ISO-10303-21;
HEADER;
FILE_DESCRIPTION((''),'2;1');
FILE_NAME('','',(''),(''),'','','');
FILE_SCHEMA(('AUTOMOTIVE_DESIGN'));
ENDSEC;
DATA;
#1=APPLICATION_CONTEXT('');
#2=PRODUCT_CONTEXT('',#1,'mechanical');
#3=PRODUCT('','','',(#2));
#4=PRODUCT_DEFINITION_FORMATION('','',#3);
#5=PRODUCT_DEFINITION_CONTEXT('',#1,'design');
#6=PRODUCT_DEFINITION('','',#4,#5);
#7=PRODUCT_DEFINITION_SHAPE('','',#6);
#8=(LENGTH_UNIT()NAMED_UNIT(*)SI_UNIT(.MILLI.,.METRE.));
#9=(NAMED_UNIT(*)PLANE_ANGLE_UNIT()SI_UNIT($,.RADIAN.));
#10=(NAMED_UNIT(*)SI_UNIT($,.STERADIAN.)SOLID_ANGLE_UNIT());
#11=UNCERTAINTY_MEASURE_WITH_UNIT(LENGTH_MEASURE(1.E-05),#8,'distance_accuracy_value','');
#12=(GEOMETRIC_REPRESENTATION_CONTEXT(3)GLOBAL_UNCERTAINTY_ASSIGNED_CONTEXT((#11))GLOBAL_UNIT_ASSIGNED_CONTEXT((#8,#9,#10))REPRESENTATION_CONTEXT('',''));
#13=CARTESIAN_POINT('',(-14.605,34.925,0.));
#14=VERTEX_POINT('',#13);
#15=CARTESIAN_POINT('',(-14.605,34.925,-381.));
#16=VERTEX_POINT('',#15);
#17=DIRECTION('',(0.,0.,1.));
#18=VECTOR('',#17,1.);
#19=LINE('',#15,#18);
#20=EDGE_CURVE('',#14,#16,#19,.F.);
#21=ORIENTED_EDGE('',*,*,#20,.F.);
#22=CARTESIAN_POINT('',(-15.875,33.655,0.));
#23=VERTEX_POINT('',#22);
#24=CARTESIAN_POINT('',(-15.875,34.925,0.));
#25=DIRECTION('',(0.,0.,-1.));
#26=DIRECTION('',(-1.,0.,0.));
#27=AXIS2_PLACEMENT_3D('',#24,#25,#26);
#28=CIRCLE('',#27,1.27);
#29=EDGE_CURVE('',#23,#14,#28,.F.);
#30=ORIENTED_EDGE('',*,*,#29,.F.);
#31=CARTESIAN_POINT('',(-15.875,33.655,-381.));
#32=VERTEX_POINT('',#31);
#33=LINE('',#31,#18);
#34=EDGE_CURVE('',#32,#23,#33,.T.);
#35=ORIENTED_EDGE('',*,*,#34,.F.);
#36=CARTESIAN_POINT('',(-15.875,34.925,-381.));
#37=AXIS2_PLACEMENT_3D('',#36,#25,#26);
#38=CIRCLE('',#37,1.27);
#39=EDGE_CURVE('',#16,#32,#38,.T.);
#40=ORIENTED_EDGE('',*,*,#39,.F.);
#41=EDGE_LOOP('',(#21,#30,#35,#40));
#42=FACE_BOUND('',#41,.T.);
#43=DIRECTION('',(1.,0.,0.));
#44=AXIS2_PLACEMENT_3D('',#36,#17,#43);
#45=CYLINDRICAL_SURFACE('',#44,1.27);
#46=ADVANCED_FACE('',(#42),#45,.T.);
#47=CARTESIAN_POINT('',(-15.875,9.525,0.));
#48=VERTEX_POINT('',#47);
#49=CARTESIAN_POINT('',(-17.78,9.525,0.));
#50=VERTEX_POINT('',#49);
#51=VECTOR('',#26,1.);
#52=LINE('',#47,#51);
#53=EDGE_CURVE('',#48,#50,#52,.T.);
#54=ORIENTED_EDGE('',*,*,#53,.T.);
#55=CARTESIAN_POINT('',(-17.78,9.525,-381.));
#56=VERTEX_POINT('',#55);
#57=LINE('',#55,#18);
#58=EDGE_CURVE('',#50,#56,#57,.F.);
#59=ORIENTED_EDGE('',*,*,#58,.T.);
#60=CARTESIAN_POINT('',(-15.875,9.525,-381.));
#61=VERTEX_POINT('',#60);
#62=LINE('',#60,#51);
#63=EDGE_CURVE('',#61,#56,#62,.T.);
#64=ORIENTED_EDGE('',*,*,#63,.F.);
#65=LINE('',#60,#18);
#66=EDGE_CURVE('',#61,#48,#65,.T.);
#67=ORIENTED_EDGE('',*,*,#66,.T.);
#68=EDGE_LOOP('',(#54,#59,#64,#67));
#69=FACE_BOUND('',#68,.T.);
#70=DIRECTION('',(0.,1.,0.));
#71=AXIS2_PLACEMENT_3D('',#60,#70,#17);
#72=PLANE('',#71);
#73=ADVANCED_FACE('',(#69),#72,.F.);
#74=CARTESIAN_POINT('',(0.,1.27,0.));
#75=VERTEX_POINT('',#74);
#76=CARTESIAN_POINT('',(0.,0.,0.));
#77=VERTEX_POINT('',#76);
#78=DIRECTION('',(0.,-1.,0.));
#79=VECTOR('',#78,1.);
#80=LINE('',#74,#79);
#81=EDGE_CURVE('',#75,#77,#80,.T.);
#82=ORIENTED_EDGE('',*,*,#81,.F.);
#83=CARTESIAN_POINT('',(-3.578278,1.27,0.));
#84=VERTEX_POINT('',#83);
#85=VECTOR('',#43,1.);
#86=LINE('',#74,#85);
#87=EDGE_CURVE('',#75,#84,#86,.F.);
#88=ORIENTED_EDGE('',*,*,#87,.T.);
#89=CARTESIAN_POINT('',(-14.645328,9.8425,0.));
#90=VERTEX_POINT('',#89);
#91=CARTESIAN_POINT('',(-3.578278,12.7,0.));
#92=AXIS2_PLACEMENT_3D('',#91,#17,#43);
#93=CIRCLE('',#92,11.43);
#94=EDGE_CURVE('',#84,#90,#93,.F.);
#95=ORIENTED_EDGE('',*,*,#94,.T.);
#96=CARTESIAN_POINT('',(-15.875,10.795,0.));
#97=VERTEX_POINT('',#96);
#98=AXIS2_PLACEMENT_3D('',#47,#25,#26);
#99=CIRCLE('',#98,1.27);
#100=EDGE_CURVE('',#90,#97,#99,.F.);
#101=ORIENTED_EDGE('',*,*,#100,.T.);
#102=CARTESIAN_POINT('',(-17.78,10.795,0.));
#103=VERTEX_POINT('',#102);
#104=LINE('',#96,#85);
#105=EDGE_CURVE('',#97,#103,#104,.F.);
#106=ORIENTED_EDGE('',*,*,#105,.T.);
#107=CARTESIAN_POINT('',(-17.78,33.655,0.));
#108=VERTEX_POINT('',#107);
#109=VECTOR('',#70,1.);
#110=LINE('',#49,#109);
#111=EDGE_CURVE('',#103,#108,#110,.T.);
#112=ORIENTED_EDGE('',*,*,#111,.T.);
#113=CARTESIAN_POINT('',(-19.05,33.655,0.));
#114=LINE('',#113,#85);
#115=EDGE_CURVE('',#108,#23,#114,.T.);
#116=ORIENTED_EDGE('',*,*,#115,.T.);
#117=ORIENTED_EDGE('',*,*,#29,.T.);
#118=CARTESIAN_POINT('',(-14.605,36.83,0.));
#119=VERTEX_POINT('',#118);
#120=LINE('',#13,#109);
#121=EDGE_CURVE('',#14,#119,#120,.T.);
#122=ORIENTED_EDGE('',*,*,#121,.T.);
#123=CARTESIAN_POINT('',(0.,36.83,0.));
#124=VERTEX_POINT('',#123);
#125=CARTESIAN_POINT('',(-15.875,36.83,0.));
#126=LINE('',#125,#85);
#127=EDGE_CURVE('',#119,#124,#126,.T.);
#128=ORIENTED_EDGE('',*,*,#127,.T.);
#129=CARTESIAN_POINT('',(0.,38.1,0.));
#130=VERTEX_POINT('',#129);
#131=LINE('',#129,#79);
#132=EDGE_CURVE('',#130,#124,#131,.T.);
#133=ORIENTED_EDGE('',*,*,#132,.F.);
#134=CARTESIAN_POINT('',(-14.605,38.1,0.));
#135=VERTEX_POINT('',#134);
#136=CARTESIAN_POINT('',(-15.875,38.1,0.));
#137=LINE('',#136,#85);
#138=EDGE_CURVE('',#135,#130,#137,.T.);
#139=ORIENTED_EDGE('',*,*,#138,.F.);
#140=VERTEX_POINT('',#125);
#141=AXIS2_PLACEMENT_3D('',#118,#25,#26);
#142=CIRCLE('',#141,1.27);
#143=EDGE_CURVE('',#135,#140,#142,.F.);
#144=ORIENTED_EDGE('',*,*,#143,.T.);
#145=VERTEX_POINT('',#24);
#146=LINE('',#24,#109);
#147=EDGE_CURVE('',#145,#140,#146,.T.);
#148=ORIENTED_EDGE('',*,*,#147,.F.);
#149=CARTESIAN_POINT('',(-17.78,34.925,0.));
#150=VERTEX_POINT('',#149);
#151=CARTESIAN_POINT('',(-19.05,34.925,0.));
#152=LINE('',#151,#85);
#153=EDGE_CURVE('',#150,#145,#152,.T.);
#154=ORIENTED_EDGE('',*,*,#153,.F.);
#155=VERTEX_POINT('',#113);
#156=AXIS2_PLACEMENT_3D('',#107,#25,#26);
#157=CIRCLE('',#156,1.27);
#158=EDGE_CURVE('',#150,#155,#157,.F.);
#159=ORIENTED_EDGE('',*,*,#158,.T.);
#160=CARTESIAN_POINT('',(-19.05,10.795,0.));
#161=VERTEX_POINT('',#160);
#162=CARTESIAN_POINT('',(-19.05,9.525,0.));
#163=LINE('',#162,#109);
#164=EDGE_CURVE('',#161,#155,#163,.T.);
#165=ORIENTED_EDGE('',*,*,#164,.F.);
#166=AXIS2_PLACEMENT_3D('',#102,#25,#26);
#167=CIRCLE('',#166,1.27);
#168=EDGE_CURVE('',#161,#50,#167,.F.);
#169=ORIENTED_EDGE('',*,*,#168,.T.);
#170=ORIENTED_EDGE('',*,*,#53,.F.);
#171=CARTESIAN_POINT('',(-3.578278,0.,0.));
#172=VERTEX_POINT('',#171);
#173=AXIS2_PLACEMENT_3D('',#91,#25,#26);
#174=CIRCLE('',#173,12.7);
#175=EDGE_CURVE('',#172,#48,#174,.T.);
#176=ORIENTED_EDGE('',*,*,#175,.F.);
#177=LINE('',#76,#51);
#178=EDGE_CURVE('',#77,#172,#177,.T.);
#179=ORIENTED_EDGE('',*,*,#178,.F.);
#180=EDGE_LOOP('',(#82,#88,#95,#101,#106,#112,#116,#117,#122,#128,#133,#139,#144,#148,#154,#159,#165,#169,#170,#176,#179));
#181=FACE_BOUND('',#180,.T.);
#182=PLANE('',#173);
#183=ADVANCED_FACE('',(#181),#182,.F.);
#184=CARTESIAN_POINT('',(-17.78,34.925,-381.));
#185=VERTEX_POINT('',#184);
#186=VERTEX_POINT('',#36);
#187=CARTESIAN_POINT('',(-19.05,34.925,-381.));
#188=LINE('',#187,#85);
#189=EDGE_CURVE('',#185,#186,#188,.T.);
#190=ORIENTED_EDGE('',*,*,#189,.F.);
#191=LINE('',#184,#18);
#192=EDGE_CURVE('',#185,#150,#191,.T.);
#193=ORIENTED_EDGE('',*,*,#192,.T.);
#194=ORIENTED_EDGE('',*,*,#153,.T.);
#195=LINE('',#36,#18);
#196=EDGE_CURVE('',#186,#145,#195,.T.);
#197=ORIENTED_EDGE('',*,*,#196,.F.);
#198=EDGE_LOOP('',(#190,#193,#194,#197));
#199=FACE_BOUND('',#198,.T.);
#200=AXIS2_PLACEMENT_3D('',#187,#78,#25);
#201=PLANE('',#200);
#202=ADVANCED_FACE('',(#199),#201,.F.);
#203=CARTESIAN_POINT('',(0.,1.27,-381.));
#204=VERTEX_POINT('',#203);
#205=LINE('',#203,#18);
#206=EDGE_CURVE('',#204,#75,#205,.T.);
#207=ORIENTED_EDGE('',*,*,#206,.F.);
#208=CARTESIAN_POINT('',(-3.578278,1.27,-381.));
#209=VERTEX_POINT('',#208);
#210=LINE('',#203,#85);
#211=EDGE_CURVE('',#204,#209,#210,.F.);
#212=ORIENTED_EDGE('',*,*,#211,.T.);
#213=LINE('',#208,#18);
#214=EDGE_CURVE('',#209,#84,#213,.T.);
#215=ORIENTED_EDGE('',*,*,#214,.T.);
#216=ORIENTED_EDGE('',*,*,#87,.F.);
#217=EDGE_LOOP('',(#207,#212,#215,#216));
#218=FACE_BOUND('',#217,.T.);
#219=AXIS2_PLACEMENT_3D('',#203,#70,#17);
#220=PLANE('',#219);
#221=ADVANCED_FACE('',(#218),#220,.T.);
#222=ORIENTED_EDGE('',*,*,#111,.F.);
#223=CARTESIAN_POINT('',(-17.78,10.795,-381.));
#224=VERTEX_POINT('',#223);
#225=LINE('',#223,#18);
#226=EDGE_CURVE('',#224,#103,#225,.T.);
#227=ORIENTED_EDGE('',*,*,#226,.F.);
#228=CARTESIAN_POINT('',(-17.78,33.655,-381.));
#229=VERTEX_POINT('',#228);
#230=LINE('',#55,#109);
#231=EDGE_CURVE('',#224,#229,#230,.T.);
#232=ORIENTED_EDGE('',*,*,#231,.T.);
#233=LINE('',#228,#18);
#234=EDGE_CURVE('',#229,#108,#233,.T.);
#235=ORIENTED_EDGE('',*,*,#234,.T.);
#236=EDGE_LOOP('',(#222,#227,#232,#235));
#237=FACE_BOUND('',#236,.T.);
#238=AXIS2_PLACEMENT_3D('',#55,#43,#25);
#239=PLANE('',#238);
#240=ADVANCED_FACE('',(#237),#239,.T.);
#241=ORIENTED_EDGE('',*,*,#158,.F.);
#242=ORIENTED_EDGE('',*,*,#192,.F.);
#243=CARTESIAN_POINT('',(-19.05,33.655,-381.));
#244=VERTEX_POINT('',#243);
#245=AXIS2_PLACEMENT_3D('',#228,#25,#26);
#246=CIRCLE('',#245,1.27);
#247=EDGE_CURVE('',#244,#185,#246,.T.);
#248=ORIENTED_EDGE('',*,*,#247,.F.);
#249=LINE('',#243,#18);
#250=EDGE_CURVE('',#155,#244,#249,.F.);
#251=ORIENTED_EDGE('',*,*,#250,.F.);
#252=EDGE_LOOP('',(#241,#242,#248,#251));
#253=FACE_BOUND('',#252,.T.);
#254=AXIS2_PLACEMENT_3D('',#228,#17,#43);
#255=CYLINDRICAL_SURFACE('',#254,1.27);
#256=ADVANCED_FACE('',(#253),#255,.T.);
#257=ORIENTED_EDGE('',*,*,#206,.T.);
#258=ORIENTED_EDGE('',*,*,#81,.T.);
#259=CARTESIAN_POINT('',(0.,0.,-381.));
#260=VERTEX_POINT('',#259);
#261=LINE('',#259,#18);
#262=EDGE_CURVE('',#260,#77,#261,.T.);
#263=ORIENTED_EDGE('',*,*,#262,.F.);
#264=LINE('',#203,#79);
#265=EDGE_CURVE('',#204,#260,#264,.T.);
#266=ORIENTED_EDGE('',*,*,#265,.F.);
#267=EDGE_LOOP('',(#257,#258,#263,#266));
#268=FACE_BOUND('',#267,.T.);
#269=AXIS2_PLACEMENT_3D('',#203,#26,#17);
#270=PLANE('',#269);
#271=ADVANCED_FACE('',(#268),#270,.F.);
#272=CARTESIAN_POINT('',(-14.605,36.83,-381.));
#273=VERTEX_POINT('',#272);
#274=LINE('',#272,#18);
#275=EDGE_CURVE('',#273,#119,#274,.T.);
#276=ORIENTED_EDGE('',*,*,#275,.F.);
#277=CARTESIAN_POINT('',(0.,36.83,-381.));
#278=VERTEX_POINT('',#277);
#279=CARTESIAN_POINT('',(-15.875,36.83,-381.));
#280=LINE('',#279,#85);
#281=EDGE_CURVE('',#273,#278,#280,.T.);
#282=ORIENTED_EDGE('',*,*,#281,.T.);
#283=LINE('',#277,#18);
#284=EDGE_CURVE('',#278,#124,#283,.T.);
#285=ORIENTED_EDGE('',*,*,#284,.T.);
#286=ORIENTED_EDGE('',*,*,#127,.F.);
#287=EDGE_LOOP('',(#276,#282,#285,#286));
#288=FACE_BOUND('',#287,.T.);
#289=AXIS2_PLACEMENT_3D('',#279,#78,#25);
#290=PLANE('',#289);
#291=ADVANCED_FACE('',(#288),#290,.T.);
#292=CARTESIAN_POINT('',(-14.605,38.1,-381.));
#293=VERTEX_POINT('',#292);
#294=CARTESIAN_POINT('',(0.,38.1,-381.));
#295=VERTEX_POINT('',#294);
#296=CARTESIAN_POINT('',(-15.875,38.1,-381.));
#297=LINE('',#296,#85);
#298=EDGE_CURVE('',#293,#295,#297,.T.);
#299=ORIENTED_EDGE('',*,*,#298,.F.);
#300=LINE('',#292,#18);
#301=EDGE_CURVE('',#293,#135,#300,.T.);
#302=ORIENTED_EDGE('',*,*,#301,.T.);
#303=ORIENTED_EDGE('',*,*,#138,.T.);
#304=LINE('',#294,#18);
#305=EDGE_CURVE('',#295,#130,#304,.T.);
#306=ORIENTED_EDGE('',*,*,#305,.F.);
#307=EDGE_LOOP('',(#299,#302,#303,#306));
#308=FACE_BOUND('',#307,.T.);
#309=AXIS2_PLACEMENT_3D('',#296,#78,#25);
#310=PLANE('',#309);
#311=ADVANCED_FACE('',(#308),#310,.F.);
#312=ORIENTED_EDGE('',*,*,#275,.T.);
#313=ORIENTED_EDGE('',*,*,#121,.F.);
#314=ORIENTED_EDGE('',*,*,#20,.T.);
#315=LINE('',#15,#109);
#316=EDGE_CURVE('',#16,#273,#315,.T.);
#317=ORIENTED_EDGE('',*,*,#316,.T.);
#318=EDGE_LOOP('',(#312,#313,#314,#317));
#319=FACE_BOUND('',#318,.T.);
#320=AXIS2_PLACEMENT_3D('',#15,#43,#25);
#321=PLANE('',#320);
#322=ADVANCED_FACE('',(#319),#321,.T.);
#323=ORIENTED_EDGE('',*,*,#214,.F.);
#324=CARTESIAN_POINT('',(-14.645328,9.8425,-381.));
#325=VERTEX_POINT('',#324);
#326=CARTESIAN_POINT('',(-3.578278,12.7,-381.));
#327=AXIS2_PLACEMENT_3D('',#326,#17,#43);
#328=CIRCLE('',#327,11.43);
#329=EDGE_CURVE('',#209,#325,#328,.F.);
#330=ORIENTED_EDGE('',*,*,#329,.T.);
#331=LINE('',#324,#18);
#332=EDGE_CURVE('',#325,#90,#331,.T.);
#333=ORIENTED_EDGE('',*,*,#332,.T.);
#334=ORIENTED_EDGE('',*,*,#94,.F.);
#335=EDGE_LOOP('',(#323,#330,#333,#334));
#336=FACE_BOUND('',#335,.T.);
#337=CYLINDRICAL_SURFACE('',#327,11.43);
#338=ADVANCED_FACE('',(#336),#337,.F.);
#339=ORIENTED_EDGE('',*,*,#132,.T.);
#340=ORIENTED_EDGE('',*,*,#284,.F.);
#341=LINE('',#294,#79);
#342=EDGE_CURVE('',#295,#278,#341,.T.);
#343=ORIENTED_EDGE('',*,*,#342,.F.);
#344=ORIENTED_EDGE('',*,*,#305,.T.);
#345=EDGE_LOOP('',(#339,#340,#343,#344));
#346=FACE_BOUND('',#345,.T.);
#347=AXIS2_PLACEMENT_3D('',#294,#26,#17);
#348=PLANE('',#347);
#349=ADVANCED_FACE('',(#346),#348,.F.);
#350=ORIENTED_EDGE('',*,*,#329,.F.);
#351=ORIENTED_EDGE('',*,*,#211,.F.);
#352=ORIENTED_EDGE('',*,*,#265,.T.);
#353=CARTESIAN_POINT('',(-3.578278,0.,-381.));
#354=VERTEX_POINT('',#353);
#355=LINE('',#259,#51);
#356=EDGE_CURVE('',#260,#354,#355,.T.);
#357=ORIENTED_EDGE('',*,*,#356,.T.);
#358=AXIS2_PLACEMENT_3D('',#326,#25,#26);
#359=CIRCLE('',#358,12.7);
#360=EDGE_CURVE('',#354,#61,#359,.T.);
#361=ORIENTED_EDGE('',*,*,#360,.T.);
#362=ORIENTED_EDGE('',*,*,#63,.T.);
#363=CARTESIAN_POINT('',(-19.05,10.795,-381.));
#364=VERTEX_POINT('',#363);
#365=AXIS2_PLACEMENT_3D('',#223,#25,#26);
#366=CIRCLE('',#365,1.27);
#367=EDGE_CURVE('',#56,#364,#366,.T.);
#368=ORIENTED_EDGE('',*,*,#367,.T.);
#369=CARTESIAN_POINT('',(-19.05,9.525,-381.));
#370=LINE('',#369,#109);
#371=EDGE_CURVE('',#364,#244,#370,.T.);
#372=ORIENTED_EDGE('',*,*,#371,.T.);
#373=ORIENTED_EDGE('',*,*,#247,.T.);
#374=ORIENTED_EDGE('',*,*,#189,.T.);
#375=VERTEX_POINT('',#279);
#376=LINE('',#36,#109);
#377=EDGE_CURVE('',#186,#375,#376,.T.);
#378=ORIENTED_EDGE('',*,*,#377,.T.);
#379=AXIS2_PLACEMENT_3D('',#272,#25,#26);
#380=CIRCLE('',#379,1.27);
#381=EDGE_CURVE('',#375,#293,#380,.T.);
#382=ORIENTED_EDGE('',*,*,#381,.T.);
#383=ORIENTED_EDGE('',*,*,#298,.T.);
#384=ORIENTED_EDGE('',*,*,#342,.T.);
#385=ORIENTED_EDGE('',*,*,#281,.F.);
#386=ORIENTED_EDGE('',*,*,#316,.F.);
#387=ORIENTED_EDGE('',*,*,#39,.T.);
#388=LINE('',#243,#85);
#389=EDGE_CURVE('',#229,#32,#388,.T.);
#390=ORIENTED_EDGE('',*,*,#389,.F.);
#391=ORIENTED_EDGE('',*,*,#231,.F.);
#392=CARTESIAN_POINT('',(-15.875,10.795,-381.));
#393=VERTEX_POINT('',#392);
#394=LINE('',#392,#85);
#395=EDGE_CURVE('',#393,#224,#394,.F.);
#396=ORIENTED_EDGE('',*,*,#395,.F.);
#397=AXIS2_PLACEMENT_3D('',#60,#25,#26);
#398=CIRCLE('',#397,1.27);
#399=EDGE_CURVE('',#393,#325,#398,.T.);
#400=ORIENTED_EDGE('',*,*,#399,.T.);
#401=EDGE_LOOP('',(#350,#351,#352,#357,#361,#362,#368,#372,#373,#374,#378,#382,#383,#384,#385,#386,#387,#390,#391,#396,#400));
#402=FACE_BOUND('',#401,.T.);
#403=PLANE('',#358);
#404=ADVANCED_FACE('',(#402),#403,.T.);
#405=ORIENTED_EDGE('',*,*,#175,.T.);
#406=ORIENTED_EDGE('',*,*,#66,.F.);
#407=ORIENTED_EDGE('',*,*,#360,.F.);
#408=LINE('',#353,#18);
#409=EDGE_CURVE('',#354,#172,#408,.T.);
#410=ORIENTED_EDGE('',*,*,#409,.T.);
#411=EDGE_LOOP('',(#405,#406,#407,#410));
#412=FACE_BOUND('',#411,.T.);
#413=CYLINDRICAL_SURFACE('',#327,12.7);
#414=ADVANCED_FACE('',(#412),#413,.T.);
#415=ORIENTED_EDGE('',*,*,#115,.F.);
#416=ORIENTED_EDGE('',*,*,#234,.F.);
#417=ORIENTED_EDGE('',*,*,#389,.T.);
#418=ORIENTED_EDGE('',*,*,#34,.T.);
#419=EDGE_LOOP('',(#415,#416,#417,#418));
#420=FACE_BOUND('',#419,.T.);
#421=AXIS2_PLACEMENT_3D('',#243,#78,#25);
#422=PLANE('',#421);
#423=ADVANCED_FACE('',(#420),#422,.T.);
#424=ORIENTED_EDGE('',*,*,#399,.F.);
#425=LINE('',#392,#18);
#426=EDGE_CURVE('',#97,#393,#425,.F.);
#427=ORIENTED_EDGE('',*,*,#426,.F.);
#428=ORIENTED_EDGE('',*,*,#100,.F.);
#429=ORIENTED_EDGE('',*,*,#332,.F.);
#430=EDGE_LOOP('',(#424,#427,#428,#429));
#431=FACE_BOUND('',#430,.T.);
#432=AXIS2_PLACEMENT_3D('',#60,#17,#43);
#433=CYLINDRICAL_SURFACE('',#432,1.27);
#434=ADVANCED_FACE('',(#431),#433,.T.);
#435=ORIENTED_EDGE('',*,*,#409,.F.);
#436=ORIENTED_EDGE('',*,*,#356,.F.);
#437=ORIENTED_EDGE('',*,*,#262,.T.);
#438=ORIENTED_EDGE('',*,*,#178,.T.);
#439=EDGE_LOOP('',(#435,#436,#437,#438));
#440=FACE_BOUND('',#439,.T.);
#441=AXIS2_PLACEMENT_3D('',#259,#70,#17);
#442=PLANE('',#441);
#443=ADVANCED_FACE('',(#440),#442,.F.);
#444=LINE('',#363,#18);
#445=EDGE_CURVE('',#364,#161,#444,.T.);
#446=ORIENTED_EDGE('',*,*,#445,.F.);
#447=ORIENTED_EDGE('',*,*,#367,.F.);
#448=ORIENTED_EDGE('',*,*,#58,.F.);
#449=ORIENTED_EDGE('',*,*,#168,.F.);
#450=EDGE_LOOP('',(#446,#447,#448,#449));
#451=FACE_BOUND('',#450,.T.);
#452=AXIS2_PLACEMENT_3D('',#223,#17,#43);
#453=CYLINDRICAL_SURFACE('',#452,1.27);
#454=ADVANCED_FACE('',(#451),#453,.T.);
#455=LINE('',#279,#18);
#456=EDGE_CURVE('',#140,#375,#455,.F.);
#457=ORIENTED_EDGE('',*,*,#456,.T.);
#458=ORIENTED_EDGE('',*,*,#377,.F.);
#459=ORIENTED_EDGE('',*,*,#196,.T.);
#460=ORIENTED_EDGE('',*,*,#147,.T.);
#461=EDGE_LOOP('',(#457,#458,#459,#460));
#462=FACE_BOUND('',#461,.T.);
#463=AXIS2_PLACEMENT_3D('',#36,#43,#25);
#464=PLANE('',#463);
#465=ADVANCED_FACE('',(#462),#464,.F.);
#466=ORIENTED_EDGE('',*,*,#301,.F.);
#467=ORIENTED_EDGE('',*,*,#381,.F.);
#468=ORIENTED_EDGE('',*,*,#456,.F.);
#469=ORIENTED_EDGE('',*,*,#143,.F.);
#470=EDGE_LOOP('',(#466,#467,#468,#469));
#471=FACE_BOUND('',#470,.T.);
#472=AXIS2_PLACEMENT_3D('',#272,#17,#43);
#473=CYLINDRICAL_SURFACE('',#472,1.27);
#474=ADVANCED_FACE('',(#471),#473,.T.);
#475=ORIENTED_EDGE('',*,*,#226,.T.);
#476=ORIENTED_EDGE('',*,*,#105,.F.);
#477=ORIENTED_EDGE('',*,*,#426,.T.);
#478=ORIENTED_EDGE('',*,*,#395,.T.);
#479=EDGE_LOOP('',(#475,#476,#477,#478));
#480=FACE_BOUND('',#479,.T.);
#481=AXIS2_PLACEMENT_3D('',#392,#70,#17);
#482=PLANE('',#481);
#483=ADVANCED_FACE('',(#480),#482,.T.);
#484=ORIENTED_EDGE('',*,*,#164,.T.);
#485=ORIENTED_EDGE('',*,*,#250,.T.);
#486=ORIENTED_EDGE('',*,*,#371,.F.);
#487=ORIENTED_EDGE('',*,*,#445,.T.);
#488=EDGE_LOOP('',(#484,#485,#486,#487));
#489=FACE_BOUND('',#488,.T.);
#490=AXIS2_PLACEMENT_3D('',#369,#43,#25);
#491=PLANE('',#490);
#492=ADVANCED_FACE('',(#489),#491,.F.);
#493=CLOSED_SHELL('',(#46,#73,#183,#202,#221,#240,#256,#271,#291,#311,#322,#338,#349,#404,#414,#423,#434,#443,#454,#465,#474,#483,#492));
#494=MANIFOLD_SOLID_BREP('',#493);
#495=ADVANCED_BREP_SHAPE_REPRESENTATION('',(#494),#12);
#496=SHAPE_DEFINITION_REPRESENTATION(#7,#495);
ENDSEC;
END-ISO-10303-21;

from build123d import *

# Parameters (mm, degrees)
EXTRUDE_THIN1_DEPTH = 381
FILLET1_R           = 1.27


with BuildPart() as part:
    # Sketch1 → Extrude-Thin1 (new body)
    with BuildSketch(Plane.XY):
        with BuildLine():
            Line((0, 0), (-3.578277876, 0))
            ThreePointArc((-3.578277876, 0), (-11.355407809, 2.659768429), (-15.875, 9.525))
            Line((-15.875, 9.525), (-19.05, 9.525))
            Line((-19.05, 9.525), (-19.05, 34.925))
            Line((-19.05, 34.925), (-15.875, 34.925))
            Line((-15.875, 34.925), (-15.875, 38.1))
            Line((-15.875, 38.1), (0, 38.1))
            Line((0, 38.1), (0, 36.83))
            Line((0, 36.83), (-14.605, 36.83))
            Line((-14.605, 36.83), (-14.605, 33.655))
            Line((-14.605, 33.655), (-17.78, 33.655))
            Line((-17.78, 33.655), (-17.78, 10.795))
            Line((-17.78, 10.795), (-14.848409863, 10.795))
            ThreePointArc((-14.848409863, 10.795), (-10.95631115, 3.970193301), (-3.578277876, 1.27))
            Line((-3.578277876, 1.27), (0, 1.27))
            Line((0, 1.27), (0, 0))
        make_face()
    extrude(amount=-EXTRUDE_THIN1_DEPTH)

    # Fillet1
    fillet1_edges = [part.edges().sort_by_distance(p)[0] for p in [
        (-14.605, 33.655, -190.5),
        (-14.848409863, 10.795, -190.5),
        (-19.05, 9.525, -190.5),
        (-19.05, 34.925, -190.5),
        (-15.875, 38.1, -190.5),
    ]]
    fillet(fillet1_edges, radius=FILLET1_R)


solid = part.part
